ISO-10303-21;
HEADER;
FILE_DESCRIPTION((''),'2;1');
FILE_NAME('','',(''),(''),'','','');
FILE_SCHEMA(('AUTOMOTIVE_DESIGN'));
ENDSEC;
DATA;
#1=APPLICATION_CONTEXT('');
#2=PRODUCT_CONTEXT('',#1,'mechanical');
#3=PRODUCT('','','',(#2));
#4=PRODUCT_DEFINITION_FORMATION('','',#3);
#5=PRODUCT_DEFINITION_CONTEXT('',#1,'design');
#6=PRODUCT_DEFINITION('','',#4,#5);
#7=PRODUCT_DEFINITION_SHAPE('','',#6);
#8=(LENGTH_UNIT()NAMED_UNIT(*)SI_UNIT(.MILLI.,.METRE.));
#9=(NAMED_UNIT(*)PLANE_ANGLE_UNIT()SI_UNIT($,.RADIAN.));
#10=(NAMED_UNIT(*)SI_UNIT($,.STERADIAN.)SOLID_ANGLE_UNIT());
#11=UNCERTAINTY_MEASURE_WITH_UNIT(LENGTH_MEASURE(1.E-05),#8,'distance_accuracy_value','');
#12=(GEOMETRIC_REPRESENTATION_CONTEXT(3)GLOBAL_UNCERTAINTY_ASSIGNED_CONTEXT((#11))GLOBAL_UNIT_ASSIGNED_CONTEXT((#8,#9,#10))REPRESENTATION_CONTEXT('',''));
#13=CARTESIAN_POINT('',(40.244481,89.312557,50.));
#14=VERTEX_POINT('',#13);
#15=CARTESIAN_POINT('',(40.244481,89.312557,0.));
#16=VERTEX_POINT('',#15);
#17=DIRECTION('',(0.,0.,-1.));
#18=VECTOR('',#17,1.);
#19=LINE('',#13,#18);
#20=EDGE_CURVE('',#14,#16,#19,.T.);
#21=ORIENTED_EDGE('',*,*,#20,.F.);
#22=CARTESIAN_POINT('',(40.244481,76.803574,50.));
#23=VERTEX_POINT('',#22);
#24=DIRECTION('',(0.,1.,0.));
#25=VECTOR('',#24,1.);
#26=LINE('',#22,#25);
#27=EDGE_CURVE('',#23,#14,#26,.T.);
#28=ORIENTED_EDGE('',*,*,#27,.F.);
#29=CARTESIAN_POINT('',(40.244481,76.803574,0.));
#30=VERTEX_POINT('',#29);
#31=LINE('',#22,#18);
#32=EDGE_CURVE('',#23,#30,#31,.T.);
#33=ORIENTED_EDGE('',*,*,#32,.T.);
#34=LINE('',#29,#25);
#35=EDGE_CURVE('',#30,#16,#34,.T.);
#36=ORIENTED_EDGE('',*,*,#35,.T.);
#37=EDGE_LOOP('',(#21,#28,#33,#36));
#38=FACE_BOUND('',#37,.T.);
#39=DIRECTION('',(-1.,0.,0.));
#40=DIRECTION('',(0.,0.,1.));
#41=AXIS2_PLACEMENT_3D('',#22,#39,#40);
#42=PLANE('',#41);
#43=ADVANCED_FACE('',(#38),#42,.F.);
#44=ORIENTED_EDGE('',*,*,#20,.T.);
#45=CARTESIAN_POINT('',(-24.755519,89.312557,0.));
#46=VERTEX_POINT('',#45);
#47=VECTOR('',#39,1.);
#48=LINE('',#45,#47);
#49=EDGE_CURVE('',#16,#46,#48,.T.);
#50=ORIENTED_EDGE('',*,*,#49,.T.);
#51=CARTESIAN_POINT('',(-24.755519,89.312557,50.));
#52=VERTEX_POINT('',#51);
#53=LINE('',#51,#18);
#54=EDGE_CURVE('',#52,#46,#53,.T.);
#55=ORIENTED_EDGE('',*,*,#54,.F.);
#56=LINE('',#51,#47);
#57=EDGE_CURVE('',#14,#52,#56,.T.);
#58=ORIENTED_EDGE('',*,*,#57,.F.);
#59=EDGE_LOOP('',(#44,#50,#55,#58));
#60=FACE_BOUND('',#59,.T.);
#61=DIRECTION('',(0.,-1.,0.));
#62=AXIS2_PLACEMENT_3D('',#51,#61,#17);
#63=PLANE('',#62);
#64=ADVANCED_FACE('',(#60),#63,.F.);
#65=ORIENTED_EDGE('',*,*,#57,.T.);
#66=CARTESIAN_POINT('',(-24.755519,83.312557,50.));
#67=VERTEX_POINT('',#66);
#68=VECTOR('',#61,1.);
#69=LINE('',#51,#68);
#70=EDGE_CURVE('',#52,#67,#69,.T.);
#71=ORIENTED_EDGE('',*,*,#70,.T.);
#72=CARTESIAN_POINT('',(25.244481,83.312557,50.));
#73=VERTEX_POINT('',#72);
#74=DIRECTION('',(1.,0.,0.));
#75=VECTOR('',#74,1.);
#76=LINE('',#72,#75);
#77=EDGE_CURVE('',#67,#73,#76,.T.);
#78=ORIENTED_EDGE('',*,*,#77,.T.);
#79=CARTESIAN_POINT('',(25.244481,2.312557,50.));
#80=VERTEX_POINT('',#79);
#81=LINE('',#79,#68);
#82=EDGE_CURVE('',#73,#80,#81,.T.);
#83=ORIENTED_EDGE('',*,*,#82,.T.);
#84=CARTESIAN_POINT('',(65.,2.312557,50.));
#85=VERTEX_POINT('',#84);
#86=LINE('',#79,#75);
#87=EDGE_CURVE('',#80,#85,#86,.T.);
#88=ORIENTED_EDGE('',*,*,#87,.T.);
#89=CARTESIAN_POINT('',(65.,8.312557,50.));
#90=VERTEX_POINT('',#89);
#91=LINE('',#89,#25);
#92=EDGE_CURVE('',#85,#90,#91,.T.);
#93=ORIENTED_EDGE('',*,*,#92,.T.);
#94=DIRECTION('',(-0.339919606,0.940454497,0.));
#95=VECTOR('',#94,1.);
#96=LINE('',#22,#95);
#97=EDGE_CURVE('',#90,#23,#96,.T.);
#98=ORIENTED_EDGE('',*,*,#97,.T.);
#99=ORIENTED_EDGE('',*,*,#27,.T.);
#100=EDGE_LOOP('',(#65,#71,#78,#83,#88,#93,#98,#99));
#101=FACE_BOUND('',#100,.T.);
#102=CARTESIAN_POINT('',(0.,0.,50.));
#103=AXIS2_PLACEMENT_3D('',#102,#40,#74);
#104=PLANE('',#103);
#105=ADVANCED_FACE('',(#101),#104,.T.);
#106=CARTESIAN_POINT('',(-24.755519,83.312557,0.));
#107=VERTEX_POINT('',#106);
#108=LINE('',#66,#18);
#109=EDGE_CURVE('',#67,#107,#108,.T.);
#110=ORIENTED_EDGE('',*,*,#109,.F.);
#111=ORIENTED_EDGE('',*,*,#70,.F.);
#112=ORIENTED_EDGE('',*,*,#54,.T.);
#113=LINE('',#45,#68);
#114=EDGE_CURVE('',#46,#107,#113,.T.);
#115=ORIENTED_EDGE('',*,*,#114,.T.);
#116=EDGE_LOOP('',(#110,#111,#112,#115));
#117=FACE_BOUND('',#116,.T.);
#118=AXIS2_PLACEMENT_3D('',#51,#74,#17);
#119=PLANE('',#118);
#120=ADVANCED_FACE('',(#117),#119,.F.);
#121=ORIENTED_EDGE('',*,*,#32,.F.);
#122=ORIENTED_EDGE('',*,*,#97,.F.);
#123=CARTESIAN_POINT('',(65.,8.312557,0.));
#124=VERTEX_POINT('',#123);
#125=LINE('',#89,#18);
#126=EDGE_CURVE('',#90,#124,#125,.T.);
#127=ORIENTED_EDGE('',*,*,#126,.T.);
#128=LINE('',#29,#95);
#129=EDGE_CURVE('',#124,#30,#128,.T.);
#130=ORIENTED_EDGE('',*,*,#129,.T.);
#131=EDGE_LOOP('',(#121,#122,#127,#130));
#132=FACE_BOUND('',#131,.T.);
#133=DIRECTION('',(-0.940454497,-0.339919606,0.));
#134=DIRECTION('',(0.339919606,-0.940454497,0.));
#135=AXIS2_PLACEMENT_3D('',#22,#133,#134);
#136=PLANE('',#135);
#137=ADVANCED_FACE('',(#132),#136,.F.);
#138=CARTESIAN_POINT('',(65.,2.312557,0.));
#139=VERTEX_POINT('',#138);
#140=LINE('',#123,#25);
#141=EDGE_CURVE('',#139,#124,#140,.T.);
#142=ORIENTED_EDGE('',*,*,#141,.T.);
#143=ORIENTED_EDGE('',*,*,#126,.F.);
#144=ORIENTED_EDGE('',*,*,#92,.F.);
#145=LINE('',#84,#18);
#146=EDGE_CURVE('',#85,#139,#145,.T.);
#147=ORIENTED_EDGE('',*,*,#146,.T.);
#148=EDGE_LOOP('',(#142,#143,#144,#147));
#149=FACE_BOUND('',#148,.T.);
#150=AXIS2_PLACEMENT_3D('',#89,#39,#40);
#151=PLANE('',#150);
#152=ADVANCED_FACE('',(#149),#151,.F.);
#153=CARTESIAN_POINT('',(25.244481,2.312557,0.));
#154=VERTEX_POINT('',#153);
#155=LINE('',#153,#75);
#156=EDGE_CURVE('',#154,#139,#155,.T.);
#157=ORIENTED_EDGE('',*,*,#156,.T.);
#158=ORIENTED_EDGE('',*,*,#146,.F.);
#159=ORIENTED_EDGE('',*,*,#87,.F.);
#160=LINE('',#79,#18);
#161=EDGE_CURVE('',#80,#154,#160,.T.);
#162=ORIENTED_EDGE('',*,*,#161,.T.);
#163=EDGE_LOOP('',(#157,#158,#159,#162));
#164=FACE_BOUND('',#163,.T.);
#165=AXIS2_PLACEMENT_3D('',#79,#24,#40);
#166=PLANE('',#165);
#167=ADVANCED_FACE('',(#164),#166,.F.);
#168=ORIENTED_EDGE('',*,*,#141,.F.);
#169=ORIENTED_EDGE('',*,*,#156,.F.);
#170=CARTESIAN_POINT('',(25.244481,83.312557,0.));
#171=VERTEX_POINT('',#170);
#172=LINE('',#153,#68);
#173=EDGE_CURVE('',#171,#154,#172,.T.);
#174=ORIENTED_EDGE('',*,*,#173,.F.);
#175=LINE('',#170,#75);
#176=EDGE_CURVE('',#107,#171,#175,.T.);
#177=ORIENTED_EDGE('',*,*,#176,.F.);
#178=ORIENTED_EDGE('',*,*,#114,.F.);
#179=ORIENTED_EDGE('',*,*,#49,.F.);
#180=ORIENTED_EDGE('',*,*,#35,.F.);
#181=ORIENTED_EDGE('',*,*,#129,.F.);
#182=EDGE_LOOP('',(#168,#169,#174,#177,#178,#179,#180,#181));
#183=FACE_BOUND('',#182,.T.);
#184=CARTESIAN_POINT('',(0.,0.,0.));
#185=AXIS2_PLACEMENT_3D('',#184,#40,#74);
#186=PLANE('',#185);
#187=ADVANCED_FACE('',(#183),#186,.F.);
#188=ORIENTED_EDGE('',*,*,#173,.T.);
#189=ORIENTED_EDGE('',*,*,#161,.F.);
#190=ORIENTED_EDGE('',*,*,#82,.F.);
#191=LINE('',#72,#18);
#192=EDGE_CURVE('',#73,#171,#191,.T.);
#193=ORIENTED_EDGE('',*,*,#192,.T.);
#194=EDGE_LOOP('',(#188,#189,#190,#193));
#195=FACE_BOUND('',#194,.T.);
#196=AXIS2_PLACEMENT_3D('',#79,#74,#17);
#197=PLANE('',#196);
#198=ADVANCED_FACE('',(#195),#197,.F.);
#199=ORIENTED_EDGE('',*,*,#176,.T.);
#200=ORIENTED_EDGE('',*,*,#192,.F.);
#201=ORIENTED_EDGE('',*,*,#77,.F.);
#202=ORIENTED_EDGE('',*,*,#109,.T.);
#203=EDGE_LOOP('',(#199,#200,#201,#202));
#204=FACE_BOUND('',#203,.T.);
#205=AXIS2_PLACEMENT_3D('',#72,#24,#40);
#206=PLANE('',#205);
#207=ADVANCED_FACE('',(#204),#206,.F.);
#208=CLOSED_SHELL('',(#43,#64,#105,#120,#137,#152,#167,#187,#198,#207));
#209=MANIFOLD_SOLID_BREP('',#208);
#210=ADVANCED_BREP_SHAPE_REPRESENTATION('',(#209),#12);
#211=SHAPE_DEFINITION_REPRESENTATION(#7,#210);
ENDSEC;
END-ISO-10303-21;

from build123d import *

# Parameters (mm, degrees)
BOSS_EXTRUDE1_DEPTH = 50


with BuildPart() as part:
    # Sketch1 → Boss-Extrude1 (new body)
    with BuildSketch(Plane.XY):
        Polygon((25.244480702, 2.312557033), (65, 2.312557033), (65, 8.312557033), (40.244480702, 76.803573807), (40.244480702, 89.312557033), (-24.755519298, 89.312557033), (-24.755519298, 83.312557033), (25.244480702, 83.312557033), align=None)
    extrude(amount=BOSS_EXTRUDE1_DEPTH)


solid = part.part
